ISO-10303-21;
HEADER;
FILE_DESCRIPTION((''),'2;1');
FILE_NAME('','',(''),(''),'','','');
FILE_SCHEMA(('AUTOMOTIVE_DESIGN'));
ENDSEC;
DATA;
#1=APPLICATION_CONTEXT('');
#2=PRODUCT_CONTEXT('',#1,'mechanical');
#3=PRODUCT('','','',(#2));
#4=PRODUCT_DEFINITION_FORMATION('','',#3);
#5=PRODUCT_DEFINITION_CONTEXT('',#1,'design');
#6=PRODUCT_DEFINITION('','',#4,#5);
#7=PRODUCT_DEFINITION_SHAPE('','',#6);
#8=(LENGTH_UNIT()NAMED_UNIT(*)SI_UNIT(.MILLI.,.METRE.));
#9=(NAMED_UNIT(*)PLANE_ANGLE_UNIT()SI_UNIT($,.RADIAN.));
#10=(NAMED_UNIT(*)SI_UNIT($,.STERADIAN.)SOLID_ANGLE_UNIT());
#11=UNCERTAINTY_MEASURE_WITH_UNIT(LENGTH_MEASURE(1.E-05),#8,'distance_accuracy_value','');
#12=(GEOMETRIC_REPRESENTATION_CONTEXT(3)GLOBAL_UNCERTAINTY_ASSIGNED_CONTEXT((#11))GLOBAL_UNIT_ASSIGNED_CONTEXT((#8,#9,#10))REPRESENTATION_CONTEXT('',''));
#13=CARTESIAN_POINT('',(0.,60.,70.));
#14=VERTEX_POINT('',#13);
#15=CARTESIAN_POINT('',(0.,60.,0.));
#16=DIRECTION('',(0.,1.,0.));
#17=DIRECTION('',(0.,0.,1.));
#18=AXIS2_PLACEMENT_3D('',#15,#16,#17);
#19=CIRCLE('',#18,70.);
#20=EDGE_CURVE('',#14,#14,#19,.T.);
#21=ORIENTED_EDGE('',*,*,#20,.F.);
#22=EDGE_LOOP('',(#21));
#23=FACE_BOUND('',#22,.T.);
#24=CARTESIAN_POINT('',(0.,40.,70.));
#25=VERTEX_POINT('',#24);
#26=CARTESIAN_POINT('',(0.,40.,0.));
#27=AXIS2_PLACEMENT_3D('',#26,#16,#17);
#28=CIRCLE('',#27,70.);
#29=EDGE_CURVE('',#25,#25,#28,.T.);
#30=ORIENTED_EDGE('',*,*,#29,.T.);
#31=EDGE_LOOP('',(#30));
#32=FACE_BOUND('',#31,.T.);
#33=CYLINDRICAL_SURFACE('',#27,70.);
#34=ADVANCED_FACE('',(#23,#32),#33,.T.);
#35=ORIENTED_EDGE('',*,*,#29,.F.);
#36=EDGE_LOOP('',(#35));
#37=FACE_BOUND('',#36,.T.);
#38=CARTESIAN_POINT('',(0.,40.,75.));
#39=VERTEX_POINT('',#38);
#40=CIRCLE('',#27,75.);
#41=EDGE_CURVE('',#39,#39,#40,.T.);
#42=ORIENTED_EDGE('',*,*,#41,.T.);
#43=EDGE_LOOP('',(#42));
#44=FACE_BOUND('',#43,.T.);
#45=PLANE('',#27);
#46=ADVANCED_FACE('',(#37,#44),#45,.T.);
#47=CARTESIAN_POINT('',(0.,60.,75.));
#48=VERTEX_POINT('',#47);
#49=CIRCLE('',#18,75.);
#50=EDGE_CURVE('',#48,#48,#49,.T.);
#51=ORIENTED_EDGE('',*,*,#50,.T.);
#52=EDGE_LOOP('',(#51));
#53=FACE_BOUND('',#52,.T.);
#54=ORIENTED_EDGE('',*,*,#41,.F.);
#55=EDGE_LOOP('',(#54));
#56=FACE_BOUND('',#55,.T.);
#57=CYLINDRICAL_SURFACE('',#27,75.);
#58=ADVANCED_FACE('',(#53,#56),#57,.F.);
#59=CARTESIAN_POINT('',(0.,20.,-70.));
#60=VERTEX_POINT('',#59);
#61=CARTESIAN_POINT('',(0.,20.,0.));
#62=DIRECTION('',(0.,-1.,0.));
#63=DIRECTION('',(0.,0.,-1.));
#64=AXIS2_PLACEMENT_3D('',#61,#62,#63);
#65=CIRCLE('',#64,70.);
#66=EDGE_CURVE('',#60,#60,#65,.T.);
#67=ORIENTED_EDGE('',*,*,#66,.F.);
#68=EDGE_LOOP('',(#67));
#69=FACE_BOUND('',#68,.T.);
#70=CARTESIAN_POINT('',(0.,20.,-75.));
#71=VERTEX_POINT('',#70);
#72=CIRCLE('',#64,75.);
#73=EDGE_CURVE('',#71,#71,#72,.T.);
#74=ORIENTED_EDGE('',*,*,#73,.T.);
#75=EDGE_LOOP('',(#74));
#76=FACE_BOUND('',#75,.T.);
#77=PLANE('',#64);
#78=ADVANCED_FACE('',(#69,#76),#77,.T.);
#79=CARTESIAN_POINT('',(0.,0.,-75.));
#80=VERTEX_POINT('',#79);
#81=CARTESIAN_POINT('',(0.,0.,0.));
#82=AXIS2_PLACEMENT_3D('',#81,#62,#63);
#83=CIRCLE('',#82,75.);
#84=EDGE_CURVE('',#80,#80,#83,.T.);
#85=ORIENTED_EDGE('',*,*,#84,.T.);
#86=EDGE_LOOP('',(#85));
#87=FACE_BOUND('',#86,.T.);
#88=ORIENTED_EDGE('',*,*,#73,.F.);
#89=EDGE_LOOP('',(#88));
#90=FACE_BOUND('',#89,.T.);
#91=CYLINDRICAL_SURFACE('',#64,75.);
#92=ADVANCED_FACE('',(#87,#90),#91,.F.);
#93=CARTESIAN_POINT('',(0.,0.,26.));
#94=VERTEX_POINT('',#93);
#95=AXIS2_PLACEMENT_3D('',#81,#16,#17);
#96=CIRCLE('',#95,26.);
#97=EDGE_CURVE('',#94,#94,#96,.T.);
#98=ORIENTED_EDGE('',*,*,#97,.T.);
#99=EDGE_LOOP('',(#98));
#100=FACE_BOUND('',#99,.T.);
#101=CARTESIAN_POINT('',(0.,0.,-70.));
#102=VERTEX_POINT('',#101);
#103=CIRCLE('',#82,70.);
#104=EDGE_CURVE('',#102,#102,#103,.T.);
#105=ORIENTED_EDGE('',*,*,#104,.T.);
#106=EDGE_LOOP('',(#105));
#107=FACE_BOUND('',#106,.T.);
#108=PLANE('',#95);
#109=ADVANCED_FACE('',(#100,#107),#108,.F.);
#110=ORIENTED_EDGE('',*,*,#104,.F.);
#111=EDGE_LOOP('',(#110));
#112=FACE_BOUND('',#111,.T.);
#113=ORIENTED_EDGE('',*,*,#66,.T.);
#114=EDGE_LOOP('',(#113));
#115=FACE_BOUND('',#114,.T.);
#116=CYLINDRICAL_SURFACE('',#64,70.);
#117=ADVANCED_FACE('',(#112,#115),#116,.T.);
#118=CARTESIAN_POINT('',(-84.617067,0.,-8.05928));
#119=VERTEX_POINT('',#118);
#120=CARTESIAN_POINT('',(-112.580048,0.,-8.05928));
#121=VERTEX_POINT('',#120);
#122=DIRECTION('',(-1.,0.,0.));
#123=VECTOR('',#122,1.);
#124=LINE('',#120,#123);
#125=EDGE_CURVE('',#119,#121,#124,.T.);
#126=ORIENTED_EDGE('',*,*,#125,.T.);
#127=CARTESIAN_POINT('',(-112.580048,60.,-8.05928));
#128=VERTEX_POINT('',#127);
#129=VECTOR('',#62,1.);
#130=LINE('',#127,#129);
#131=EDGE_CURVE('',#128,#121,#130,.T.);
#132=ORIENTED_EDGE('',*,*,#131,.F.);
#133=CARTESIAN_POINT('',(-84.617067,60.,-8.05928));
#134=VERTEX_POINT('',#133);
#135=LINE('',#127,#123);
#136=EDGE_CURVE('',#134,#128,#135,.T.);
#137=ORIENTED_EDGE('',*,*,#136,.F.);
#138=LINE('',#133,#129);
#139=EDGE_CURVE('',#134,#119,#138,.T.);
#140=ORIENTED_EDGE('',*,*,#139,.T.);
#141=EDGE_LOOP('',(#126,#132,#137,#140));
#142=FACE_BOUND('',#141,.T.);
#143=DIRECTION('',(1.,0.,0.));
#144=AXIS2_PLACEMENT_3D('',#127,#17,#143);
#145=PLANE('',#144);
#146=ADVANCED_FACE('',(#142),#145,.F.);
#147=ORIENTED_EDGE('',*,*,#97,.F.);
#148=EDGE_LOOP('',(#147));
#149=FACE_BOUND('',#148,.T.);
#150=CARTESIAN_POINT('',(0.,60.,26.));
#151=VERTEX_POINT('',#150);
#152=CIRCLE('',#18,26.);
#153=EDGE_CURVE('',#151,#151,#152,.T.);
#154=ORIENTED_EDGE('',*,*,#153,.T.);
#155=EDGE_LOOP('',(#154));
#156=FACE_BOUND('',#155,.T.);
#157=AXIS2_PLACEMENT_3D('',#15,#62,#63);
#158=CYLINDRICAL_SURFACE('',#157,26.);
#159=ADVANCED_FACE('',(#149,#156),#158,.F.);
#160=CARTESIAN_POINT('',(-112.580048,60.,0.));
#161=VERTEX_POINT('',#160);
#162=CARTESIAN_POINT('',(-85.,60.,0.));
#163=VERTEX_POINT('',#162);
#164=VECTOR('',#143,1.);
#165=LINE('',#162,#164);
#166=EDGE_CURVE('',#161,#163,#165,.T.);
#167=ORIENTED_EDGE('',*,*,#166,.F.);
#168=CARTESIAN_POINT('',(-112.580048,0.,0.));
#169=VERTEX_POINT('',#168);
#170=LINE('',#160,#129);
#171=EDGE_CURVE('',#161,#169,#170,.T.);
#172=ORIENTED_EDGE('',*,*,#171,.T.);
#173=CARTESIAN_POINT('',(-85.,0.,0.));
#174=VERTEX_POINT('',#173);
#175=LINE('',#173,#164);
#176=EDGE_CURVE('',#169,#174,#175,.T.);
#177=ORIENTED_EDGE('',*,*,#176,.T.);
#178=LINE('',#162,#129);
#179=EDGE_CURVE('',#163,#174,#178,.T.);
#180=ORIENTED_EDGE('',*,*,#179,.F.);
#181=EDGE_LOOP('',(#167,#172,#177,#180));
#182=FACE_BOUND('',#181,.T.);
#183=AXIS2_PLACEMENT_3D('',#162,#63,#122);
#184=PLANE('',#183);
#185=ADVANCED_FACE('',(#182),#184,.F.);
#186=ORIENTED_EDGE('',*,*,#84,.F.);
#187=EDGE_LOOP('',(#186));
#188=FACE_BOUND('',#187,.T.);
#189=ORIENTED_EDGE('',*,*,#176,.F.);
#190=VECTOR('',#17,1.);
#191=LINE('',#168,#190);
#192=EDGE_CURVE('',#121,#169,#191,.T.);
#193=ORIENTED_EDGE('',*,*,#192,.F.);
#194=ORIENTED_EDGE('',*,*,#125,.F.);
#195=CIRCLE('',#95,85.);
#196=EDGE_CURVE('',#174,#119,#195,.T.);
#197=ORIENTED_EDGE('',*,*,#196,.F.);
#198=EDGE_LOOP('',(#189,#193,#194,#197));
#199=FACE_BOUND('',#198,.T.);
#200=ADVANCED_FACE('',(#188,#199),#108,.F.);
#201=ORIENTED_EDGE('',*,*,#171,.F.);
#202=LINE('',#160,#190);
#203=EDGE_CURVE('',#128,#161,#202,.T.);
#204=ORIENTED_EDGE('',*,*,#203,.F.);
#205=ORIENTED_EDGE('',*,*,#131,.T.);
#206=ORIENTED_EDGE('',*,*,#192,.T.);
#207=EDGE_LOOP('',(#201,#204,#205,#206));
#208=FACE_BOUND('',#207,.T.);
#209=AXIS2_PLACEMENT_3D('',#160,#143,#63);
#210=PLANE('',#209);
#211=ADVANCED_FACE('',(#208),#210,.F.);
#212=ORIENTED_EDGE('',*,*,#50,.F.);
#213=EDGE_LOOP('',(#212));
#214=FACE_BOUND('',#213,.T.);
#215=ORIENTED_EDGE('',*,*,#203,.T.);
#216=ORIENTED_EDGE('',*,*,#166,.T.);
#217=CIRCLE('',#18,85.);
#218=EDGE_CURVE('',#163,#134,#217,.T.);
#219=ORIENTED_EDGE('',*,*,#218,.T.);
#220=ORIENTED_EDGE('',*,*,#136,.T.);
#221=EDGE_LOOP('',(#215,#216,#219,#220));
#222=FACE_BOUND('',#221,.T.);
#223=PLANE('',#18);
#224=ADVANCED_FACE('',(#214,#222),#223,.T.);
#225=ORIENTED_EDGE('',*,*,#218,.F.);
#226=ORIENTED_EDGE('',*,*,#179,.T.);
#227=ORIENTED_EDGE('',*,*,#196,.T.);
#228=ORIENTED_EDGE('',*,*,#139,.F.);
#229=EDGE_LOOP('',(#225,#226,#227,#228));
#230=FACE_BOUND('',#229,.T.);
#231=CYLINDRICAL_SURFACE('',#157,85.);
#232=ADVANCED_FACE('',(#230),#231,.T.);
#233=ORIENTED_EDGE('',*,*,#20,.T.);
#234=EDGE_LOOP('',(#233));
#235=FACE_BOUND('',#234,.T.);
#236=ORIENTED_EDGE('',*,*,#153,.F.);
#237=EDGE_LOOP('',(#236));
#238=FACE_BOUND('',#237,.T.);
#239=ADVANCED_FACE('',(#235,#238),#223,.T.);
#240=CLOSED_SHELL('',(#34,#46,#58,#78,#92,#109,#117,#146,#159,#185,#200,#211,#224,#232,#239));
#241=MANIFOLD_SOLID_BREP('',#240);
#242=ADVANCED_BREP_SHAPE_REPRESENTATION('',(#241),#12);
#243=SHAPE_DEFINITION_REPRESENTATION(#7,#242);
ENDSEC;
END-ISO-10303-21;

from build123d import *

# Parameters (mm, degrees)
SKETCH1_R           = 26
BOSS_EXTRUDE1_DEPTH = 60
SKETCH2_R           = 75
SKETCH2_R_2         = 70
CUT_EXTRUDE1_DEPTH  = 20
SKETCH3_R           = 75
SKETCH3_R_2         = 70
CUT_EXTRUDE2_DEPTH  = 20


with BuildPart() as part:
    # Sketch1 → Boss-Extrude1 (new body)
    with BuildSketch(Plane(origin=(0, 0, 0), x_dir=(1, 0, 0), z_dir=(0, 1, 0))):
        with BuildLine():
            Line((-85, 0), (-112.580048144, 0))
            Line((-112.580048144, 0), (-112.580048144, 8.059280082))
            Line((-112.580048144, 8.059280082), (-84.617066863, 8.059280082))
            ThreePointArc((-84.617066863, 8.059280082), (84.904212744, -4.034186201), (-85, 0))
        make_face()
        Circle(SKETCH1_R, mode=Mode.SUBTRACT)
    extrude(amount=BOSS_EXTRUDE1_DEPTH)

    # Sketch2 → Cut-Extrude1 (cut)
    with BuildSketch(Plane(origin=(0, 0, 0), x_dir=(-1, 0, 0), z_dir=(0, -1, 0))):
        Circle(SKETCH2_R)
        Circle(SKETCH2_R_2, mode=Mode.SUBTRACT)
    extrude(amount=-CUT_EXTRUDE1_DEPTH, mode=Mode.SUBTRACT)

    # Sketch3 → Cut-Extrude2 (cut)
    with BuildSketch(Plane(origin=(0, 60, 0), x_dir=(1, 0, 0), z_dir=(0, 1, 0))):
        Circle(SKETCH3_R)
        Circle(SKETCH3_R_2, mode=Mode.SUBTRACT)
    extrude(amount=-CUT_EXTRUDE2_DEPTH, mode=Mode.SUBTRACT)


solid = part.part
